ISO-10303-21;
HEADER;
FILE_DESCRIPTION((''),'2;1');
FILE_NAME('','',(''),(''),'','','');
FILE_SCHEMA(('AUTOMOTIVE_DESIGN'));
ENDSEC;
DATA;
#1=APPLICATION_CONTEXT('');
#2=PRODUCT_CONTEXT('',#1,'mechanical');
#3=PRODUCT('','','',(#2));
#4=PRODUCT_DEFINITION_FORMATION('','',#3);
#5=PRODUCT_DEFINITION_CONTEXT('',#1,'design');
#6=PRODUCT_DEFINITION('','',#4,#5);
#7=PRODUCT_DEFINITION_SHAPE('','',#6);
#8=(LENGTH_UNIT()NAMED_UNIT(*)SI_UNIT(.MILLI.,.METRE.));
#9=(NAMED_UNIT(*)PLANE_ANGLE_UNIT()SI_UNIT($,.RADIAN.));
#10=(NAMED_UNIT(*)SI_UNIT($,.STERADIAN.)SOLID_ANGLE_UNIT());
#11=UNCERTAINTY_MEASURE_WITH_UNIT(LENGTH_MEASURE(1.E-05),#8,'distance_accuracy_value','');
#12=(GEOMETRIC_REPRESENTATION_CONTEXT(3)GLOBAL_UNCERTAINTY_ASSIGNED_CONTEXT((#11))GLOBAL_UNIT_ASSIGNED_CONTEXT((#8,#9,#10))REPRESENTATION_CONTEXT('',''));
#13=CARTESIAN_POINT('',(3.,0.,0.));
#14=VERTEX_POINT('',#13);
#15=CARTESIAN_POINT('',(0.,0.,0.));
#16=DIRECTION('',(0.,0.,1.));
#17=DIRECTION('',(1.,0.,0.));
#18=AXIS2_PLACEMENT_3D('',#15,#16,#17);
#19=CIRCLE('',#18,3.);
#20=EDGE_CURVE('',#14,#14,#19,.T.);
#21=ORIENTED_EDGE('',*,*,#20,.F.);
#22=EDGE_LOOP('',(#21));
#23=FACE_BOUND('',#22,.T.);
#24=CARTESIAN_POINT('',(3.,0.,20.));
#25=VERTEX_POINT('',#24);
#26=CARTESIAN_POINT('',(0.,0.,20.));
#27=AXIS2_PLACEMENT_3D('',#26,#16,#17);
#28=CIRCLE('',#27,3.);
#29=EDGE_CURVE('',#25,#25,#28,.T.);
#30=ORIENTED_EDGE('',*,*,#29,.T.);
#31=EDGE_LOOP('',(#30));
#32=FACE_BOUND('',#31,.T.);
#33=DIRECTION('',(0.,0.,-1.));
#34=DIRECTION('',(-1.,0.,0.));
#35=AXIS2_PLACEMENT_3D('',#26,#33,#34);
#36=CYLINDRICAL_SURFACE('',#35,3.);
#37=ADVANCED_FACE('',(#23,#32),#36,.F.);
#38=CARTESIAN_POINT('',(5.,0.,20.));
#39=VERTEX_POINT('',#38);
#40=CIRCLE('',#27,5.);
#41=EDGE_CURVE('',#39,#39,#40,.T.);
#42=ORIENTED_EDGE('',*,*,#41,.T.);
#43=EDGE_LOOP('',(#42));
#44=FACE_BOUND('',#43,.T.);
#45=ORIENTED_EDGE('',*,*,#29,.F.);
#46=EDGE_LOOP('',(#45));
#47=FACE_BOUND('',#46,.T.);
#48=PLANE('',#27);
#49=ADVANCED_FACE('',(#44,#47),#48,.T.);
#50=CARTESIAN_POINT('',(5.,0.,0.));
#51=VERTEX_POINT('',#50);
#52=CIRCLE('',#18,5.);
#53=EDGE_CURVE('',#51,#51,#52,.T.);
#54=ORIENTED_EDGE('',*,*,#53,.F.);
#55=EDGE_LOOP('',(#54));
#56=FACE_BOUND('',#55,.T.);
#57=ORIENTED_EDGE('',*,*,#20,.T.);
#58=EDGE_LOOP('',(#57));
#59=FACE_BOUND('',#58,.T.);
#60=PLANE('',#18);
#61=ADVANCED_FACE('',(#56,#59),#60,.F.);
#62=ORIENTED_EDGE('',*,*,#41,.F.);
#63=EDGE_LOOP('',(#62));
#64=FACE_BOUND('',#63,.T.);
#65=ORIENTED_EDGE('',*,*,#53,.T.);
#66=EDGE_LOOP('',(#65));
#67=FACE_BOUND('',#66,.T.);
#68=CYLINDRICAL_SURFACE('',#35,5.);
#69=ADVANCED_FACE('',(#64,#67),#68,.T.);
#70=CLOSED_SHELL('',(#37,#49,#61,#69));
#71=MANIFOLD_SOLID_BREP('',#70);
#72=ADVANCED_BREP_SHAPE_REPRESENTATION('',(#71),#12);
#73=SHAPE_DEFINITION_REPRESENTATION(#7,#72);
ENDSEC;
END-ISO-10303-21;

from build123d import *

# Parameters (mm, degrees)
ESQUISSE1_R        = 5
ESQUISSE1_R_2      = 3
BOSS_EXTRU_1_DEPTH = 20


with BuildPart() as part:
    # Esquisse1 → Boss.-Extru.1 (new body)
    with BuildSketch(Plane.XY):
        Circle(ESQUISSE1_R)
        Circle(ESQUISSE1_R_2, mode=Mode.SUBTRACT)
    extrude(amount=BOSS_EXTRU_1_DEPTH)


solid = part.part
